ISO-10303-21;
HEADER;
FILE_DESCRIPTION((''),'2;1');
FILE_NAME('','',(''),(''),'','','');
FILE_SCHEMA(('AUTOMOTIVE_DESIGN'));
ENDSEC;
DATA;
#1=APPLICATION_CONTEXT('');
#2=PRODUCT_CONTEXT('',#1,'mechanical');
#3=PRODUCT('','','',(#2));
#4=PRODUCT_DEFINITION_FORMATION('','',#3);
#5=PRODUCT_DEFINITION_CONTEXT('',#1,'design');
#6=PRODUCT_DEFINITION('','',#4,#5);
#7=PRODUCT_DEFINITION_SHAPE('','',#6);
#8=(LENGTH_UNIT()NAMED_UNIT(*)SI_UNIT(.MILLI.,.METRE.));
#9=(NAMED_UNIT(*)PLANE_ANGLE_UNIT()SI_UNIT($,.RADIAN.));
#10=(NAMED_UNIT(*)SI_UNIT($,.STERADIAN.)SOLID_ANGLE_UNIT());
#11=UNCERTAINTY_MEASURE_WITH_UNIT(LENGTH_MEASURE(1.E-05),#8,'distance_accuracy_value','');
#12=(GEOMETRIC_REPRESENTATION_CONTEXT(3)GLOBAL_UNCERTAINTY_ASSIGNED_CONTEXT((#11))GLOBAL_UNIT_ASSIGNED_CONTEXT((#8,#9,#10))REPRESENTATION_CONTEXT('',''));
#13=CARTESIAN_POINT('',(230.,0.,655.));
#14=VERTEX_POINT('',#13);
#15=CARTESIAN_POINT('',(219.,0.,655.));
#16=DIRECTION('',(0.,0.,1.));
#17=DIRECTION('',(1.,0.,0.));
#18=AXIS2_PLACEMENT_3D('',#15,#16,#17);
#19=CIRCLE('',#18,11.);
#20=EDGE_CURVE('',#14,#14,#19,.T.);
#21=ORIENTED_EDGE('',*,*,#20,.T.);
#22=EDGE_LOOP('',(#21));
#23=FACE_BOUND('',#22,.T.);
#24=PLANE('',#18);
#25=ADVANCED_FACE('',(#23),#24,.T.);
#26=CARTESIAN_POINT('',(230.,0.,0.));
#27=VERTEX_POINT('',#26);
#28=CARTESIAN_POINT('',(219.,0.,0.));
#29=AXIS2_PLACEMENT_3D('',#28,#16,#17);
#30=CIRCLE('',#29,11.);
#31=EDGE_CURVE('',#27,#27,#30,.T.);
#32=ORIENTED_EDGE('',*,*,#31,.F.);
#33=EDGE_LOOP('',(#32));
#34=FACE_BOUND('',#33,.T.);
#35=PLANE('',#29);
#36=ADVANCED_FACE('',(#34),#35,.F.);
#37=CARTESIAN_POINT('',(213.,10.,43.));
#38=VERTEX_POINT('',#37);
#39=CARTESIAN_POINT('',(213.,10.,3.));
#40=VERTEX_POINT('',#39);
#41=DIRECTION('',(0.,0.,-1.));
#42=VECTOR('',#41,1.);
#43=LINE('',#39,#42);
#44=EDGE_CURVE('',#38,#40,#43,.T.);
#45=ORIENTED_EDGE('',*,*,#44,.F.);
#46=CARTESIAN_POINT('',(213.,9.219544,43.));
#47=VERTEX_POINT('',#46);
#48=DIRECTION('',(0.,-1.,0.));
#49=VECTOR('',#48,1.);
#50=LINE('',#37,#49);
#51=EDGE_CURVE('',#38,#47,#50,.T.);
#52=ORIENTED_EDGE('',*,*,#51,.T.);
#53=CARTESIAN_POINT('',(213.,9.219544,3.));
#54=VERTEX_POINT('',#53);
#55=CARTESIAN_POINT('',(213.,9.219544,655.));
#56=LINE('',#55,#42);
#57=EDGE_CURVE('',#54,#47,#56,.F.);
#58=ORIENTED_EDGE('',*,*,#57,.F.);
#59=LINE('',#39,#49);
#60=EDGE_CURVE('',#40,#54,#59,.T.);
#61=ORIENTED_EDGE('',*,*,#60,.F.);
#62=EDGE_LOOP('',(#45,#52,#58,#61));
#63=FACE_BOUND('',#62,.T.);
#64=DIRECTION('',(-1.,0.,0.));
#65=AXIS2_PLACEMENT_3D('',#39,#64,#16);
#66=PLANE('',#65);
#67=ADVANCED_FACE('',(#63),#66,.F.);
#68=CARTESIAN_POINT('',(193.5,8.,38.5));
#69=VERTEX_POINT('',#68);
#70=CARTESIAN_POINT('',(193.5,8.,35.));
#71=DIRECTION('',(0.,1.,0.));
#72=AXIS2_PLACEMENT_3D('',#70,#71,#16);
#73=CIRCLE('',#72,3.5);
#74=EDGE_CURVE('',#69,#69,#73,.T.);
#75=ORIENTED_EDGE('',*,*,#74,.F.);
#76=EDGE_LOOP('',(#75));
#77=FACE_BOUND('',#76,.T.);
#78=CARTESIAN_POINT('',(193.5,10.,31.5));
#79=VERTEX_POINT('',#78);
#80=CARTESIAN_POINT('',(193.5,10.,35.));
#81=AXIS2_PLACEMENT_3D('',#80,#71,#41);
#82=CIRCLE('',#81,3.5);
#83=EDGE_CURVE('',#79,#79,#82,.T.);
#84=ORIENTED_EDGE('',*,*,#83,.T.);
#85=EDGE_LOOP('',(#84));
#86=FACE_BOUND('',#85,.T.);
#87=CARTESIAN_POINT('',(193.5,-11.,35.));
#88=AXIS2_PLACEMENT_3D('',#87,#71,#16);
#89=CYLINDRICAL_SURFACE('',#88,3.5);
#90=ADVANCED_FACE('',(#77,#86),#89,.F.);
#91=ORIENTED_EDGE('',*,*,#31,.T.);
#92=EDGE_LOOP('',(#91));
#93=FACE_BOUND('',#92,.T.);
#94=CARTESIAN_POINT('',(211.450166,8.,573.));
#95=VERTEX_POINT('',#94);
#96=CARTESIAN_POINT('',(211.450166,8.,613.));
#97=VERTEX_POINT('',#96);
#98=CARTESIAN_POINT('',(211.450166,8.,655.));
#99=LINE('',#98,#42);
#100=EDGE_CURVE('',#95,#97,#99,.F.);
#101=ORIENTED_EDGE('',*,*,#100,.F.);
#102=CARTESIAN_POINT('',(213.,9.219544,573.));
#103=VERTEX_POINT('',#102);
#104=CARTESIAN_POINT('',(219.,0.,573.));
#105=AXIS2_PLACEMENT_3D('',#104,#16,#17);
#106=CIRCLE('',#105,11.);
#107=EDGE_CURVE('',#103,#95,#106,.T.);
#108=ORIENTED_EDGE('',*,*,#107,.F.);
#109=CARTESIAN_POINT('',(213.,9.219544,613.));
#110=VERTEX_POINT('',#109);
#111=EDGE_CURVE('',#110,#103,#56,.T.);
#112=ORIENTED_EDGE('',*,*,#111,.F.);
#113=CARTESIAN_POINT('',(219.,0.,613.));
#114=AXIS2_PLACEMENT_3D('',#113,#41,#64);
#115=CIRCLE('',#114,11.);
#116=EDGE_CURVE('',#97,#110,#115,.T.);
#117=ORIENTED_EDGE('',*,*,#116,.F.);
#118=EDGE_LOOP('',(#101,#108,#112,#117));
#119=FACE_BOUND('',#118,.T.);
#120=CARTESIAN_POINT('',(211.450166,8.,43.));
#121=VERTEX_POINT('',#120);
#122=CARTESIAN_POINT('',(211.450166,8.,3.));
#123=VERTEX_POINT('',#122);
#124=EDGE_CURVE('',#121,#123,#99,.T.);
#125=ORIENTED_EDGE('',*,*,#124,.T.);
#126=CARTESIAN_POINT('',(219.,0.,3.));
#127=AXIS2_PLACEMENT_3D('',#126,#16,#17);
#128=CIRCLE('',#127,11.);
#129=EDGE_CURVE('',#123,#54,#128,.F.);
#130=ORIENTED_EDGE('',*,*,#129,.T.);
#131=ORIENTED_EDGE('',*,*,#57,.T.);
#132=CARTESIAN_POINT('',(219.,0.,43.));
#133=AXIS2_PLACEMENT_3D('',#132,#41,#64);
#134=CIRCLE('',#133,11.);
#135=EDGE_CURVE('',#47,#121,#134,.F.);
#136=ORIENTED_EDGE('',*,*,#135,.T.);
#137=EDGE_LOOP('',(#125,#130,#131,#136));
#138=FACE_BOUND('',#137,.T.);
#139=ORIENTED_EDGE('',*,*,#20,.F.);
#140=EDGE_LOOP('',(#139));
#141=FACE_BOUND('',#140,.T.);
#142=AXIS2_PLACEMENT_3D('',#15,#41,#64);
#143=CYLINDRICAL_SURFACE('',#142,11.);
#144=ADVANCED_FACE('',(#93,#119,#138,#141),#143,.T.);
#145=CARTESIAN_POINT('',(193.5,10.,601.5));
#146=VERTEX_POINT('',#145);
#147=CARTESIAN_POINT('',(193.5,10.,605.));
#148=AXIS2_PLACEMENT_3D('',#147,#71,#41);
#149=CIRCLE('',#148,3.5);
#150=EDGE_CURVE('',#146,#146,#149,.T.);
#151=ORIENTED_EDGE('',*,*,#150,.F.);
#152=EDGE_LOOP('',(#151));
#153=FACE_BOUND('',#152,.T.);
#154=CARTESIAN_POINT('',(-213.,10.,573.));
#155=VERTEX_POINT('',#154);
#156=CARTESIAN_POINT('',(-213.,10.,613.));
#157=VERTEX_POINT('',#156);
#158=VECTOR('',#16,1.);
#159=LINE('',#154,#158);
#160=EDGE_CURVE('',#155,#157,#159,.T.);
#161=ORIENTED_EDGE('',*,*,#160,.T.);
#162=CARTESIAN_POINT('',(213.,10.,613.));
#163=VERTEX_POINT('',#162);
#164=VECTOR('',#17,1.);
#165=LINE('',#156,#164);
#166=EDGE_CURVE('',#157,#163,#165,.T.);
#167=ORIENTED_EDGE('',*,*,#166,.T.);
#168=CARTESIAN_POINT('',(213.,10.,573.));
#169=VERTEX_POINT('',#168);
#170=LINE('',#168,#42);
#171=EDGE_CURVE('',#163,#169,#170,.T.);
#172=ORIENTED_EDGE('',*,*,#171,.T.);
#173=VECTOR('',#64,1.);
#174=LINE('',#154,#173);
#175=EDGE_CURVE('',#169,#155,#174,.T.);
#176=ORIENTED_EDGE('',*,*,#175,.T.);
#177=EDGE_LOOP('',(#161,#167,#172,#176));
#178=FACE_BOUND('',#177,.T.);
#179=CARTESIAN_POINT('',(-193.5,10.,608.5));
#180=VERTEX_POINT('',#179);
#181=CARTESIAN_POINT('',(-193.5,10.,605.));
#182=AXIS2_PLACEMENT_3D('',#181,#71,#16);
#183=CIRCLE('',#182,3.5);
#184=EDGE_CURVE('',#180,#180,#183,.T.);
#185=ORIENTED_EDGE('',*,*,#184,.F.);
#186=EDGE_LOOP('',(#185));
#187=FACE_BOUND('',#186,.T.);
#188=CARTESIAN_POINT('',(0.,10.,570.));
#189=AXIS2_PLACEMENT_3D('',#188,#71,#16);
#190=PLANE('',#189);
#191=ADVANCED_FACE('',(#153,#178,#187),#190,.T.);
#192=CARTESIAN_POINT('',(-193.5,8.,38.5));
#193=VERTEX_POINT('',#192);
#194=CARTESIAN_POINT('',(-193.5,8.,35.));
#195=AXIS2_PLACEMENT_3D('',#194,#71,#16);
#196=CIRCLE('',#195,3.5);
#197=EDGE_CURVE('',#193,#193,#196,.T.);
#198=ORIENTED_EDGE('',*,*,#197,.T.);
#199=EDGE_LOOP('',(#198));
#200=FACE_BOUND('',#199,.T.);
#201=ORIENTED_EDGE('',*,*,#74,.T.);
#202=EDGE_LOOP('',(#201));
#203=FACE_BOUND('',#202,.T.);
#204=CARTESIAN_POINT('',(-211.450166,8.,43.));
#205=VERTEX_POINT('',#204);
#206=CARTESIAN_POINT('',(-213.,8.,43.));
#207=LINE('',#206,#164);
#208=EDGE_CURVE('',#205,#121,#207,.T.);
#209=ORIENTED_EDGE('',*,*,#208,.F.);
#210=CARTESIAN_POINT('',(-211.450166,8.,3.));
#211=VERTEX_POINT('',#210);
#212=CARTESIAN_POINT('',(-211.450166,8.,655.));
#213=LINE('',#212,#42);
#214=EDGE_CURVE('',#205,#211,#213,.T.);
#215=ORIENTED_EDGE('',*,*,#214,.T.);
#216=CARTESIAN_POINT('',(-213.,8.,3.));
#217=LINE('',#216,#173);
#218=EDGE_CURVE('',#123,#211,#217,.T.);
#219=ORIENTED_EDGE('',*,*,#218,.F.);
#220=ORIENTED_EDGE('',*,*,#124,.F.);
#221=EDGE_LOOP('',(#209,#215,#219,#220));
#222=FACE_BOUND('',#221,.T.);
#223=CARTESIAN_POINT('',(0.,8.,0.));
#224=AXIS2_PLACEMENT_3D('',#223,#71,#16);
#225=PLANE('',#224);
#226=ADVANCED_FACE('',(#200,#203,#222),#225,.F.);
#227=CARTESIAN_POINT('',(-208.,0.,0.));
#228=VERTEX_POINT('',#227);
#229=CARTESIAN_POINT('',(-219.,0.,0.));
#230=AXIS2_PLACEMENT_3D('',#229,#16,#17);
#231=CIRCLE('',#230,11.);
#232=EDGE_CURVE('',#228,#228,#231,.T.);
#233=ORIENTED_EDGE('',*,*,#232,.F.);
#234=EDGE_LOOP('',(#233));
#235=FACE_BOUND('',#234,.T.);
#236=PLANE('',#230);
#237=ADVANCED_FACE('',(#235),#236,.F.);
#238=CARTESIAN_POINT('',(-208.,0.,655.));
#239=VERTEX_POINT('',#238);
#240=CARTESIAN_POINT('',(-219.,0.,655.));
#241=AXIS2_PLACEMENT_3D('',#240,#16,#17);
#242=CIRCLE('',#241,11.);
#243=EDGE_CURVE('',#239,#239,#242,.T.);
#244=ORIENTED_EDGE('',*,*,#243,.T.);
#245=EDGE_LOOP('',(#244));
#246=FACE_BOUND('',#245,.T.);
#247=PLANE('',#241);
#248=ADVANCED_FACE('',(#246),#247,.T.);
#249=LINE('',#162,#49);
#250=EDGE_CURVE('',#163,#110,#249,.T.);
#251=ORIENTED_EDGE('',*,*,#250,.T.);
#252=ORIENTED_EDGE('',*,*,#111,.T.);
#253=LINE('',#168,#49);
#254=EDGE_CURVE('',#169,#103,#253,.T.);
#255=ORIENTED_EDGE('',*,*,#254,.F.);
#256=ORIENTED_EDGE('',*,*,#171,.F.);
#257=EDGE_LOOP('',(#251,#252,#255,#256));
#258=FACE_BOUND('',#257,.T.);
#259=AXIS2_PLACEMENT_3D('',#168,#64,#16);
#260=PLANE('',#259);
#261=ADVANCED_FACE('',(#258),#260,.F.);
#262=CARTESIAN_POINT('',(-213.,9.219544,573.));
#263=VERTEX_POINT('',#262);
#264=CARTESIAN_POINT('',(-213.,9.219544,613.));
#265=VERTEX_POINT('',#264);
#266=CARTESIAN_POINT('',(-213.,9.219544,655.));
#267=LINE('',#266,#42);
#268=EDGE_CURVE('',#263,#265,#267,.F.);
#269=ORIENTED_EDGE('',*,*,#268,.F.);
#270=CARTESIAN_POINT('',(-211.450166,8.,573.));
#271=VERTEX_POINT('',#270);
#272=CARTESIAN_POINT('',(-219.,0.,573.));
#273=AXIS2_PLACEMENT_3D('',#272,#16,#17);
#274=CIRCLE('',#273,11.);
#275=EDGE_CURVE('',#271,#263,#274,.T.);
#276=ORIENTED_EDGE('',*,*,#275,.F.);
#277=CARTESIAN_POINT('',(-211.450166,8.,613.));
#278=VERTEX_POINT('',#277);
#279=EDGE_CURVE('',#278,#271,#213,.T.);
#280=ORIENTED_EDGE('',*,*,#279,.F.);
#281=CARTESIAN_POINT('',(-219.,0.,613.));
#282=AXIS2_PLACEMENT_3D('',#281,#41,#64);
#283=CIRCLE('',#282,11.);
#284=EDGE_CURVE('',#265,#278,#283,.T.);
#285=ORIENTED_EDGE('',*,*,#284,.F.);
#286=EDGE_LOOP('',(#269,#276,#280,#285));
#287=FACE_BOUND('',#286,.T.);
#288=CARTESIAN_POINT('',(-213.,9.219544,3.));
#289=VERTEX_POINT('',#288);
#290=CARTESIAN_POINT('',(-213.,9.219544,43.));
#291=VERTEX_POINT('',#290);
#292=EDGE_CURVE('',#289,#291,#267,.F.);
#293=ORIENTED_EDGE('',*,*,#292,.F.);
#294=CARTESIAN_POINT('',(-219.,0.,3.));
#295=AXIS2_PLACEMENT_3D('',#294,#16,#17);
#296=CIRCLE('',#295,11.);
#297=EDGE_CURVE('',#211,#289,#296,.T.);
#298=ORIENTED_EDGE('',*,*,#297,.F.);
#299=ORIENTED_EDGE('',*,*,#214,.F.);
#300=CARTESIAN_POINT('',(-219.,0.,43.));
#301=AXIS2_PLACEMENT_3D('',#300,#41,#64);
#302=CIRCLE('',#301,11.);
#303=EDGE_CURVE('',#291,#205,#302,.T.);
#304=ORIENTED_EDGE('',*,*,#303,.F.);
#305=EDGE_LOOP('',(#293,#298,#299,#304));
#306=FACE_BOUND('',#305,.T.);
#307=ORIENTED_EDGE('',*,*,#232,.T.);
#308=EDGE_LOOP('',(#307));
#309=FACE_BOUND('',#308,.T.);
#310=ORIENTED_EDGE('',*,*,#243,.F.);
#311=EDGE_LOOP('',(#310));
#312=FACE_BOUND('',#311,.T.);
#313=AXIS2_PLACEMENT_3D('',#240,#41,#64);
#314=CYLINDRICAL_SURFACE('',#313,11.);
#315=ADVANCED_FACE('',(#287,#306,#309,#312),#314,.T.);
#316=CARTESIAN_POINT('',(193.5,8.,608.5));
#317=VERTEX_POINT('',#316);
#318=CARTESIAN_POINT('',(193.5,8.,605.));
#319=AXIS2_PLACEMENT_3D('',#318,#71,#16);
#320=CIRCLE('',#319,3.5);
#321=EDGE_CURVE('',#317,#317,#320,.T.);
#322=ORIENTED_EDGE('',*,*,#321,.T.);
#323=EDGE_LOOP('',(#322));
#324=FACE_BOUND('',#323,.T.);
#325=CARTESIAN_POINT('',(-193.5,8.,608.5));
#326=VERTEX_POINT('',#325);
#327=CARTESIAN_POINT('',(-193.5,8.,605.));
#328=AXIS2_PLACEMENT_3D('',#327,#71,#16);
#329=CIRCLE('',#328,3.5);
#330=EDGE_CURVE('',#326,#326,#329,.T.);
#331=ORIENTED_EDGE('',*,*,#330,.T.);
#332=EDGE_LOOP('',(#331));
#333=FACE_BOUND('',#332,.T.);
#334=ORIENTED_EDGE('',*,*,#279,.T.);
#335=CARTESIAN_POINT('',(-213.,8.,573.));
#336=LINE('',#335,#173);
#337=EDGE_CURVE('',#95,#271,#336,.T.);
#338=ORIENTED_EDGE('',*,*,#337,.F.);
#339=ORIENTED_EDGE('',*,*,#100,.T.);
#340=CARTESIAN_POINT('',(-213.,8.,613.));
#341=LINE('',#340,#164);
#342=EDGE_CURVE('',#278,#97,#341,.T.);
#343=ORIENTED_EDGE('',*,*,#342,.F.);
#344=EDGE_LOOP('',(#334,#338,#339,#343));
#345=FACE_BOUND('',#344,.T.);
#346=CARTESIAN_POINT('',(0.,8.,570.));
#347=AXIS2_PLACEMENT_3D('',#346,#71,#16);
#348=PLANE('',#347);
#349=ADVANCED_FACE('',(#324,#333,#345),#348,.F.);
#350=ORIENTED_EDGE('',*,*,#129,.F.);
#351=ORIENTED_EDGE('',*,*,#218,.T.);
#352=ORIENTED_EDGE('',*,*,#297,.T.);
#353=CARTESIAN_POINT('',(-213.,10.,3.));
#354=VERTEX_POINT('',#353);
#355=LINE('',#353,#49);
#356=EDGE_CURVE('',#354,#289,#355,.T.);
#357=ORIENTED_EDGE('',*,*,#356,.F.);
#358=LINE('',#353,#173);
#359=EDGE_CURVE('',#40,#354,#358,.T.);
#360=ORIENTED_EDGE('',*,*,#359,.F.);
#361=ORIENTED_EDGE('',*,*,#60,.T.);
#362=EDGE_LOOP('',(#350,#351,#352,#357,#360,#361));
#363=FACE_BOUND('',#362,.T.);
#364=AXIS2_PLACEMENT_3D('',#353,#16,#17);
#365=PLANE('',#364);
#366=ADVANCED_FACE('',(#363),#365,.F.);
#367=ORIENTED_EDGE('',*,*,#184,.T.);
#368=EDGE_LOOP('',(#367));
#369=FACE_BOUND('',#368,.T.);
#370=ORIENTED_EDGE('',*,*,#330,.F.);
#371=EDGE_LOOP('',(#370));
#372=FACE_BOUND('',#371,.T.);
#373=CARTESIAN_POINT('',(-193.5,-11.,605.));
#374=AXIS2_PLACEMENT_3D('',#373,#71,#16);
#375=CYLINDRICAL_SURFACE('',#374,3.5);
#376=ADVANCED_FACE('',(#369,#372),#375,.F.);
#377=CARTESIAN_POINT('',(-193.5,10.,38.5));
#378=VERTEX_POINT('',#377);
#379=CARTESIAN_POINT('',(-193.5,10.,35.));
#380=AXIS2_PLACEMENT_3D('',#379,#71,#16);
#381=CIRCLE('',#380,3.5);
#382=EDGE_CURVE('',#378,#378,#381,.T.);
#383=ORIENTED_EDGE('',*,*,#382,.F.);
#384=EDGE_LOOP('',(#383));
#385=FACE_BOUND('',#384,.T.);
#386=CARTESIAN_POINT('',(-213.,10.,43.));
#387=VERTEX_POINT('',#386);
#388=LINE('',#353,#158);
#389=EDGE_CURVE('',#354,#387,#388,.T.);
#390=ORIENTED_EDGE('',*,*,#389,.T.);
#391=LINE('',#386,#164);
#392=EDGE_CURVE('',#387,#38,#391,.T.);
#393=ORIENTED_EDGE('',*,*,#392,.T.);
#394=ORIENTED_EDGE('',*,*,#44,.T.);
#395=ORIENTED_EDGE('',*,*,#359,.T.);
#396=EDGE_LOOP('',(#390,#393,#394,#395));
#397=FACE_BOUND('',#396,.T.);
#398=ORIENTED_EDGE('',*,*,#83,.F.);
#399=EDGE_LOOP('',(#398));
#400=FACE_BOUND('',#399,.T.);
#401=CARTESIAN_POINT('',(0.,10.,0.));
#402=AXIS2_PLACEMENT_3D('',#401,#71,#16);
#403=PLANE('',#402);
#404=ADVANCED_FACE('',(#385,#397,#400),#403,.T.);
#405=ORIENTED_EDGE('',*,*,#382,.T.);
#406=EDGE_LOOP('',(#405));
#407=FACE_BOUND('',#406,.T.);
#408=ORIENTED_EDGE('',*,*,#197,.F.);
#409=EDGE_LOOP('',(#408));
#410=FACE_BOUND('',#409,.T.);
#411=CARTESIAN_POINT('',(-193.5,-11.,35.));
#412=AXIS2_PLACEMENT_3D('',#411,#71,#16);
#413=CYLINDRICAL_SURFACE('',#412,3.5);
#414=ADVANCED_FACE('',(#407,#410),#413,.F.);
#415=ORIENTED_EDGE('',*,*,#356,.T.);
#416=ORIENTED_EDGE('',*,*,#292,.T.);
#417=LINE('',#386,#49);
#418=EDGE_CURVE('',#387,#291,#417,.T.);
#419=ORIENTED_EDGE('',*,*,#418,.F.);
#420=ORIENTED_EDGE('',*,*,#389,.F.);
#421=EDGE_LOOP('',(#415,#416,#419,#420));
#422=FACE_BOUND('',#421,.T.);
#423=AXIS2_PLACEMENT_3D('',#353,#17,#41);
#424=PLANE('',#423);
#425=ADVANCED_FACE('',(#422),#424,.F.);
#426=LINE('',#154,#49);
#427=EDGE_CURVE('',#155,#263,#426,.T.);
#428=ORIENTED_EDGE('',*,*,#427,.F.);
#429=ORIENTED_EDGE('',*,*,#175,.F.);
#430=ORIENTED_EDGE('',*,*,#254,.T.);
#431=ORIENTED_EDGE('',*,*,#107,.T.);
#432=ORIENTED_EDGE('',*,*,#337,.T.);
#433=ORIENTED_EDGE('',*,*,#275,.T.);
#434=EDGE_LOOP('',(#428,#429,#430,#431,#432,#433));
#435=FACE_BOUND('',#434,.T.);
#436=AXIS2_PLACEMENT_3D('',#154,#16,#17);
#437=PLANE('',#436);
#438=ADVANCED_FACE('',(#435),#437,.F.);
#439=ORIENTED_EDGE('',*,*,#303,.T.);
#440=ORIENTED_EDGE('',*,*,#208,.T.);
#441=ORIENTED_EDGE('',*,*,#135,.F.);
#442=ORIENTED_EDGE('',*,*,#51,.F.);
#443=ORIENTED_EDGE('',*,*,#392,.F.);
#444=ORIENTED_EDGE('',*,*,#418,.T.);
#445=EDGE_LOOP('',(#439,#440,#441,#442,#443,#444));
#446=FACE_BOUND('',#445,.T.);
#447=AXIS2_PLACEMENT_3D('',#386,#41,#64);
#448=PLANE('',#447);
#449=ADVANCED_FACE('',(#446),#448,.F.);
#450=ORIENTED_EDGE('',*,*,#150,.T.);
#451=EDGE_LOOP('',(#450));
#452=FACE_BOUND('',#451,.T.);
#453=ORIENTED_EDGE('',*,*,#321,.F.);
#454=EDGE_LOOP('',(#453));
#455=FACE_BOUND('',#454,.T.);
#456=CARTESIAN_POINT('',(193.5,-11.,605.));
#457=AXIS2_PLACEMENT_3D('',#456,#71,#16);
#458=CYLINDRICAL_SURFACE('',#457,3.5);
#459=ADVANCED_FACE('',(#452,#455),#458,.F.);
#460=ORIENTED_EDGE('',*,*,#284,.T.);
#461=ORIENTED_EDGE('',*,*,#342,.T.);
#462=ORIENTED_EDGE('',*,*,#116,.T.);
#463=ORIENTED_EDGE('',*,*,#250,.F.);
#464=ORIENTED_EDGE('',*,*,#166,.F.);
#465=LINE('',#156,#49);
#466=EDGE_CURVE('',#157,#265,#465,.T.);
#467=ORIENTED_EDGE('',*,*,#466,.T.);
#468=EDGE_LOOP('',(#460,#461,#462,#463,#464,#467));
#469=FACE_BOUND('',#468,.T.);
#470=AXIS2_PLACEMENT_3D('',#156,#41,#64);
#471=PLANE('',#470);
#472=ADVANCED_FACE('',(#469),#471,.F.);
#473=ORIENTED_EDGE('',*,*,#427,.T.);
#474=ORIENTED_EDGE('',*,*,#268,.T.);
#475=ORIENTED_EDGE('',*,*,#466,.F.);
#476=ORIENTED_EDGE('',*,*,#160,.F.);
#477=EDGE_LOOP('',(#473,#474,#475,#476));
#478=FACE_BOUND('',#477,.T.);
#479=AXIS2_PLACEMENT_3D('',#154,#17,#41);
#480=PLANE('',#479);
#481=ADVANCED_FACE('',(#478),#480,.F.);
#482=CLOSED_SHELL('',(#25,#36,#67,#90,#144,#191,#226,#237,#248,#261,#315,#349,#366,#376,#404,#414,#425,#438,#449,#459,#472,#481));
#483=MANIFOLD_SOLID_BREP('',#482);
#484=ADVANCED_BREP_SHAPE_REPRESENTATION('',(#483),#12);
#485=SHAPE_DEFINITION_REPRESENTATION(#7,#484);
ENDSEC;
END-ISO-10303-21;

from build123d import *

# Parameters (mm, degrees)
SKETCH1_R             = 11
BOSS_EXTRUDE1_DEPTH   = 655
BOSS_EXTRUDE1_2_DEPTH = 655
SKETCH2_W             = 426
SKETCH2_H             = 40
BOSS_EXTRUDE2_DEPTH   = 2
LPATTERN1_COUNT       = 2
LPATTERN1_PITCH       = 570
SKETCH3_R             = 3.5
CUT_EXTRUDE1_DEPTH    = 22
SKETCH4_R             = 3.5
CUT_EXTRUDE2_DEPTH    = 22


with BuildPart() as part:
    # Sketch1 → Boss-Extrude1 (new body)
    with BuildSketch(Plane.XY):
        with Locations((-219, 0)):
            Circle(SKETCH1_R)
    extrude(amount=BOSS_EXTRUDE1_DEPTH)



with BuildPart() as body_2:
    # Sketch1 → Boss-Extrude1 2 (new body)
    with BuildSketch(Plane.XY):
        with Locations((219, 0)):
            Circle(SKETCH1_R)
    extrude(amount=BOSS_EXTRUDE1_2_DEPTH)


with BuildPart() as part_1:
    add(part.part)

    add(body_2.part)  # Boss-Extrude2 merges body 2
    # Sketch2 → Boss-Extrude2 (add)
    with BuildSketch(Plane(origin=(0, 8, 0), x_dir=(1, 0, 0), z_dir=(0, 1, 0))):
        with Locations((0, -23)):
            Rectangle(SKETCH2_W, SKETCH2_H)
    boss_extrude2 = extrude(amount=BOSS_EXTRUDE2_DEPTH)

    # LPattern1: Boss-Extrude2 ×2
    with Locations(*[(0, 0, i * LPATTERN1_PITCH) for i in range(1, LPATTERN1_COUNT)]):
        add(boss_extrude2)

    # Sketch3 → Cut-Extrude1 (cut, through all)
    with BuildSketch(Plane(origin=(0, 10, 0), x_dir=(1, 0, 0), z_dir=(0, 1, 0))):
        with Locations((-193.5, -35)):
            Circle(SKETCH3_R)
        with Locations((193.5, -35)):
            Circle(SKETCH3_R)
    extrude(amount=-CUT_EXTRUDE1_DEPTH, mode=Mode.SUBTRACT)

    # Sketch4 → Cut-Extrude2 (cut, through all)
    with BuildSketch(Plane(origin=(0, 10, 0), x_dir=(1, 0, 0), z_dir=(0, 1, 0))):
        with Locations((-193.5, -605)):
            Circle(SKETCH4_R)
        with Locations((193.5, -605)):
            Circle(SKETCH4_R)
    extrude(amount=-CUT_EXTRUDE2_DEPTH, mode=Mode.SUBTRACT)


solid = part_1.part
